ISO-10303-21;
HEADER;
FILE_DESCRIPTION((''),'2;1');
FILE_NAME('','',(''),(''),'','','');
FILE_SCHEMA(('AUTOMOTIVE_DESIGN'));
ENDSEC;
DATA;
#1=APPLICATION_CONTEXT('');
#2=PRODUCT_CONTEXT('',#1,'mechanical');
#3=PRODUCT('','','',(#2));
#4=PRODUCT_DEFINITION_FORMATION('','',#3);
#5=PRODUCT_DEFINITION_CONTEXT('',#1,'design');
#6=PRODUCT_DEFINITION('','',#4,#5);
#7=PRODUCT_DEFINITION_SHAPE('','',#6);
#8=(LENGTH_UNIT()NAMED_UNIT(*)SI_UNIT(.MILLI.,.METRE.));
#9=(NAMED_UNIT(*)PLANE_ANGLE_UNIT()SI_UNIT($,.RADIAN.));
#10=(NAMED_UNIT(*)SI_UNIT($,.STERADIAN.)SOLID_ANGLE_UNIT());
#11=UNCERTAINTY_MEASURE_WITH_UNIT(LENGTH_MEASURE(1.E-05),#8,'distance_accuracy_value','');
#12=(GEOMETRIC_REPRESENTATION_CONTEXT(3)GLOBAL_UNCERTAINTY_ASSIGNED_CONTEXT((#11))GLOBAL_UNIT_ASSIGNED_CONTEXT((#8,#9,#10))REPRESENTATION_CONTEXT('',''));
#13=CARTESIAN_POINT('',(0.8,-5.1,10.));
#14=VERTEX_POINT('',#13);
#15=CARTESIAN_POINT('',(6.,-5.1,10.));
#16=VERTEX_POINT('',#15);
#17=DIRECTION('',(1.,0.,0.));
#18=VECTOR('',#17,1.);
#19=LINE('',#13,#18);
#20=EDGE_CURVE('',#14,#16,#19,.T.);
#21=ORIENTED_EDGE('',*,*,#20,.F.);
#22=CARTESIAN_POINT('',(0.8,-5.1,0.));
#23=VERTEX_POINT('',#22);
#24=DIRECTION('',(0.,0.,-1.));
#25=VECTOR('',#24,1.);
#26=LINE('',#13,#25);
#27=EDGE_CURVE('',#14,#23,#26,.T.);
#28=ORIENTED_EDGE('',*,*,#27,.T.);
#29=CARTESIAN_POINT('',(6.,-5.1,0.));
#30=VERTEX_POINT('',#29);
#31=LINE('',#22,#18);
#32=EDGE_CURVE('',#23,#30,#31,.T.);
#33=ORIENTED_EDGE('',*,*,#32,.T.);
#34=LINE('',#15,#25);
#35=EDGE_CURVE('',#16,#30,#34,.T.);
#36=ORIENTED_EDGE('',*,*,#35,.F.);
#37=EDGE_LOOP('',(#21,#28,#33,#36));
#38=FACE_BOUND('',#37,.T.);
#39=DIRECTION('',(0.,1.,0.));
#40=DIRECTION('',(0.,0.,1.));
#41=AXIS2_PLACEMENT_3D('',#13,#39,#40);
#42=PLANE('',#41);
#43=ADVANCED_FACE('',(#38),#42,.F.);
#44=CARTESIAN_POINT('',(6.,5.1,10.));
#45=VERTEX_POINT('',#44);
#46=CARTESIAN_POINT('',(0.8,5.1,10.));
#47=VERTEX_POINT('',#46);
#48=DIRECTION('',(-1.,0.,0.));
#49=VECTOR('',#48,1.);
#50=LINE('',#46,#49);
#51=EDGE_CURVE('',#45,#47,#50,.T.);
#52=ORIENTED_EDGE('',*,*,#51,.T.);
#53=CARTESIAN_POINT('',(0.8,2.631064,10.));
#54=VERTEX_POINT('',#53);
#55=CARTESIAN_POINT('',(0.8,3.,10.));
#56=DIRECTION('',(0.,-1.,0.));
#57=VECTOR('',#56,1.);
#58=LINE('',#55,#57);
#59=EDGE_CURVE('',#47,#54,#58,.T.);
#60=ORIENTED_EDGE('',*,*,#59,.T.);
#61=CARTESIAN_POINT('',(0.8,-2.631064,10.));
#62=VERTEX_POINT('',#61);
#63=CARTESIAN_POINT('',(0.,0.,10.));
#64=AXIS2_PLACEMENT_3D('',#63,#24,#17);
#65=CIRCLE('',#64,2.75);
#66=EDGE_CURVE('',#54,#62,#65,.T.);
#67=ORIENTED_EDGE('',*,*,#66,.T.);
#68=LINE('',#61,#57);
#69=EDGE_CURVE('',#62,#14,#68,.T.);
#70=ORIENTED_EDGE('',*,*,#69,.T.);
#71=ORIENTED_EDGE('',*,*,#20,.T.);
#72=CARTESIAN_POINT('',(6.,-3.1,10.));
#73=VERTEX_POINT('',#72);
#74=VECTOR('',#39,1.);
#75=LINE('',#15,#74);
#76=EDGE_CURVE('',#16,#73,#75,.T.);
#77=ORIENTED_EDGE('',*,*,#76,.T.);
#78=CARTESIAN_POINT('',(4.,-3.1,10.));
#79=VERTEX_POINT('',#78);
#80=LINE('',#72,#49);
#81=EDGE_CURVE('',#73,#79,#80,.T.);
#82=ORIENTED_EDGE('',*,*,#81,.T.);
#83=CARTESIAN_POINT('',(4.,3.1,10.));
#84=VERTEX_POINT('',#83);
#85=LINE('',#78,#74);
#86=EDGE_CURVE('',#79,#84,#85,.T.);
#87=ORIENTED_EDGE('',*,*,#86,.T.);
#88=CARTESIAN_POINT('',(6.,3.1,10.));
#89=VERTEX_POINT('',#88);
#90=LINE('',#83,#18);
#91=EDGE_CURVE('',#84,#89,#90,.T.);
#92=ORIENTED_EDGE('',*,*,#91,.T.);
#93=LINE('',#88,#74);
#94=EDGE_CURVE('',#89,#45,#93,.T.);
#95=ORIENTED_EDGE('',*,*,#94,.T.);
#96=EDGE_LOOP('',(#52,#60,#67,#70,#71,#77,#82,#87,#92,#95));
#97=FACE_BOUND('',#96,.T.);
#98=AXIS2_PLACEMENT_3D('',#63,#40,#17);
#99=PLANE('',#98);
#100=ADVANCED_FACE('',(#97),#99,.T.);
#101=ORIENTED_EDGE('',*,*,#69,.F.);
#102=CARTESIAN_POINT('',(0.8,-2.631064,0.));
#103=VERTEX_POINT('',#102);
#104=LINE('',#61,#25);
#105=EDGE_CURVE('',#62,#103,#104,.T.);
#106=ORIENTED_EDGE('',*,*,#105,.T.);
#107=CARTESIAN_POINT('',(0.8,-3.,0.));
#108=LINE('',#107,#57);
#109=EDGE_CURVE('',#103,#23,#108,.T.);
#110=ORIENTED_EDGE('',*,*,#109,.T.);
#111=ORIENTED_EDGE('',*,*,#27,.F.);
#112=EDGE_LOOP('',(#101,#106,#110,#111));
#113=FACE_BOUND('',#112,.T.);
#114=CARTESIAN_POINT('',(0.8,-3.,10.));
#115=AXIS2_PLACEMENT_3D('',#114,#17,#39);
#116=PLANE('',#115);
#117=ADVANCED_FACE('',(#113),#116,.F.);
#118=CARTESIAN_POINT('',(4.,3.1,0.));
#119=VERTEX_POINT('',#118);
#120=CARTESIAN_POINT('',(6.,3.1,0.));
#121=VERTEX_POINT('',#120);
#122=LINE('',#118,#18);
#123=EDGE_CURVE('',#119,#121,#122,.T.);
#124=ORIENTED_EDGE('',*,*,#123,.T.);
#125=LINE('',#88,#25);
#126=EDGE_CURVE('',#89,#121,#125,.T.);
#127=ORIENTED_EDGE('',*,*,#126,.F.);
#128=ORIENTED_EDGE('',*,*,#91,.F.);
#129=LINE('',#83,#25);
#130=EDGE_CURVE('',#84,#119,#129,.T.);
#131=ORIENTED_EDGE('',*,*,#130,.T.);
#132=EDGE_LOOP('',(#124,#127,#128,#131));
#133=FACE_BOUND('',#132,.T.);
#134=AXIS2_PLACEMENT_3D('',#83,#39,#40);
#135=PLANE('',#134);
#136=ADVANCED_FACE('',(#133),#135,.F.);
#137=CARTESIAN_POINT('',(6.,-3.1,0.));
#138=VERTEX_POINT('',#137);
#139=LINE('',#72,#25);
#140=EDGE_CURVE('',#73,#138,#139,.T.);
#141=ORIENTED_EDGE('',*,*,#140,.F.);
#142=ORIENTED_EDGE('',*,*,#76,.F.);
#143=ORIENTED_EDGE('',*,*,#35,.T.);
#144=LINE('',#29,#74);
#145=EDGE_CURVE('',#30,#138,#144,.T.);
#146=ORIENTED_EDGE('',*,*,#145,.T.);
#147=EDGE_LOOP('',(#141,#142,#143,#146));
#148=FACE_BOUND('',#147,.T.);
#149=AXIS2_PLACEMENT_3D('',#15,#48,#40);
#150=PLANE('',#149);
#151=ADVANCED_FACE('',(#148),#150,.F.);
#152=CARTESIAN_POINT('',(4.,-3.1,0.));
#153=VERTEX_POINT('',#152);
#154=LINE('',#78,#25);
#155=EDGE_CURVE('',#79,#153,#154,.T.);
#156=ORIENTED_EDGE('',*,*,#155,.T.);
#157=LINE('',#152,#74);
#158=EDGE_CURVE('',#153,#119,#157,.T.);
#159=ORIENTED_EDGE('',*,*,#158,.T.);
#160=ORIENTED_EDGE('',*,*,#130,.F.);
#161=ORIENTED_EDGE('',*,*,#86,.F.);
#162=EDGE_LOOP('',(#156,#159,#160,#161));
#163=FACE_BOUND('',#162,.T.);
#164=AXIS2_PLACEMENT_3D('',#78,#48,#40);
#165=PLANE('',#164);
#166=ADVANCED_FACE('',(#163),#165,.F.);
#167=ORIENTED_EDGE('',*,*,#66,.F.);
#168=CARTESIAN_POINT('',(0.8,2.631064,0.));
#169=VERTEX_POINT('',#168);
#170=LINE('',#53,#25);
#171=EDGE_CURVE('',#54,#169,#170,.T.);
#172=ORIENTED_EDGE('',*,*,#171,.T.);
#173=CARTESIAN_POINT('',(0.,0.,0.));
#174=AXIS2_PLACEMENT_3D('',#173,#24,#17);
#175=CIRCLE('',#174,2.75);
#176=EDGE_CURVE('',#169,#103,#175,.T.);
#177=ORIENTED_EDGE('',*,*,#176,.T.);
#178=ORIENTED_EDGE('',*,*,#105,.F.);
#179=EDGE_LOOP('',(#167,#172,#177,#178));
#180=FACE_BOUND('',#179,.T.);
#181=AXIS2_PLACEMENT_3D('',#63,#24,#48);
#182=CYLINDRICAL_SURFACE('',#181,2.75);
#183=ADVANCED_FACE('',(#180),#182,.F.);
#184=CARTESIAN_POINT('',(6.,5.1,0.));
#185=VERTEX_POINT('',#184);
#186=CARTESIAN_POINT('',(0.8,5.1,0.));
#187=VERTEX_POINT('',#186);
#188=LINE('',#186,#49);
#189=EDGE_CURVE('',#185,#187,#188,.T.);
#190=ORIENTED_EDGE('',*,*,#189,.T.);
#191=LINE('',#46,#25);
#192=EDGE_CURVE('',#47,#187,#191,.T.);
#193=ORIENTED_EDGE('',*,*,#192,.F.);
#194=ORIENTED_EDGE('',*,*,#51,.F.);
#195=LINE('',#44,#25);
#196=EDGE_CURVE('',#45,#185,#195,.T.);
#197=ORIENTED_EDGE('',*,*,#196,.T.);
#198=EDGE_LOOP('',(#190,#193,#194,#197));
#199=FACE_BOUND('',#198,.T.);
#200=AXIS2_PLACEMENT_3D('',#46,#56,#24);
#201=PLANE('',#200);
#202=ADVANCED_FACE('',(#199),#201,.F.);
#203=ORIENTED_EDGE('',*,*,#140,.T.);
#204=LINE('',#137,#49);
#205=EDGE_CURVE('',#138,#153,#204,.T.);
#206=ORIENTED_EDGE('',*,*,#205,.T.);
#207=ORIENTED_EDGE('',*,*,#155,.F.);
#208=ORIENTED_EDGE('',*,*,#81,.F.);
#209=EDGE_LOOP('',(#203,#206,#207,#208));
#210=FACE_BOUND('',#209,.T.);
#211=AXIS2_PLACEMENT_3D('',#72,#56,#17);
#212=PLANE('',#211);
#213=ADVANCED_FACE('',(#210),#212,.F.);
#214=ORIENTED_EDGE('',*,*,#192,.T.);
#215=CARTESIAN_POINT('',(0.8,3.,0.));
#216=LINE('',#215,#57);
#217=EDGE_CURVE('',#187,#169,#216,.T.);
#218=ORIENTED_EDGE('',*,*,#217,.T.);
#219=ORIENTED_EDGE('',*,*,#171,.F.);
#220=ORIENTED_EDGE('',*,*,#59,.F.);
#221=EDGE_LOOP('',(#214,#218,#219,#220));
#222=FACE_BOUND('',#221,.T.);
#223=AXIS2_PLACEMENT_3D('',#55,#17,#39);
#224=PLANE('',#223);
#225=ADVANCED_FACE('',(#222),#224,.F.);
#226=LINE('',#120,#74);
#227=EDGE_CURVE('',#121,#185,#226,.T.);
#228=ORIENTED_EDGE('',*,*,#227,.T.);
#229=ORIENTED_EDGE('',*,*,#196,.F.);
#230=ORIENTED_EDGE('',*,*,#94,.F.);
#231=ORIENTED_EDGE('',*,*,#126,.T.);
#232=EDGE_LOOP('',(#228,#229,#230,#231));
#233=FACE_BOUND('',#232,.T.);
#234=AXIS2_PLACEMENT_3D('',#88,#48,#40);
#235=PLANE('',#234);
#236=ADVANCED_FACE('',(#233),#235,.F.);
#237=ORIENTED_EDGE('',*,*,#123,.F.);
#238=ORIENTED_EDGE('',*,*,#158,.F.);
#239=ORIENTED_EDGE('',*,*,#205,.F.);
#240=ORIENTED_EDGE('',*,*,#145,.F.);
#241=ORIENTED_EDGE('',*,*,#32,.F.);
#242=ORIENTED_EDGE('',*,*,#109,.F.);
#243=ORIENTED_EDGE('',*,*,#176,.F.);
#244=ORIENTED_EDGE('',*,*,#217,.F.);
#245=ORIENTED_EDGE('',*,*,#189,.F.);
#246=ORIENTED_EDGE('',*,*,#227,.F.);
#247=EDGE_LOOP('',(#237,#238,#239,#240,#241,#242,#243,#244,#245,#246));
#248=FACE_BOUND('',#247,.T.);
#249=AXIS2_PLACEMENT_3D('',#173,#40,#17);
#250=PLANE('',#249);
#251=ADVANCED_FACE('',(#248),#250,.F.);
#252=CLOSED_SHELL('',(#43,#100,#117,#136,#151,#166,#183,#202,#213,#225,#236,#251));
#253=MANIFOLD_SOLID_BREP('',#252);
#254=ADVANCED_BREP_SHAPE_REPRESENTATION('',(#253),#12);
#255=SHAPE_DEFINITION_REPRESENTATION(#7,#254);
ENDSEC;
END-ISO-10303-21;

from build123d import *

# Parameters (mm, degrees)
EXTRUDE_1_DEPTH = 10


with BuildPart() as part:
    # ｽｹｯﾁ1 → ﾎﾞｽ - 押し出し1 (new body)
    with BuildSketch(Plane.XY):
        with BuildLine():
            Line((4, -3.1), (4, 3.1))
            Line((4, 3.1), (6, 3.1))
            Line((6, 3.1), (6, 5.1))
            Line((6, 5.1), (0.8, 5.1))
            Line((0.8, 5.1), (0.8, 3))
            Line((0.8, 3), (0.8, 2.631064423))
            ThreePointArc((0.8, 2.631064423), (2.75, 0), (0.8, -2.631064423))
            Line((0.8, -2.631064423), (0.8, -3))
            Line((0.8, -3), (0.8, -5.1))
            Line((0.8, -5.1), (6, -5.1))
            Line((6, -5.1), (6, -3.1))
            Line((6, -3.1), (4, -3.1))
        make_face()
    extrude(amount=EXTRUDE_1_DEPTH)


solid = part.part
